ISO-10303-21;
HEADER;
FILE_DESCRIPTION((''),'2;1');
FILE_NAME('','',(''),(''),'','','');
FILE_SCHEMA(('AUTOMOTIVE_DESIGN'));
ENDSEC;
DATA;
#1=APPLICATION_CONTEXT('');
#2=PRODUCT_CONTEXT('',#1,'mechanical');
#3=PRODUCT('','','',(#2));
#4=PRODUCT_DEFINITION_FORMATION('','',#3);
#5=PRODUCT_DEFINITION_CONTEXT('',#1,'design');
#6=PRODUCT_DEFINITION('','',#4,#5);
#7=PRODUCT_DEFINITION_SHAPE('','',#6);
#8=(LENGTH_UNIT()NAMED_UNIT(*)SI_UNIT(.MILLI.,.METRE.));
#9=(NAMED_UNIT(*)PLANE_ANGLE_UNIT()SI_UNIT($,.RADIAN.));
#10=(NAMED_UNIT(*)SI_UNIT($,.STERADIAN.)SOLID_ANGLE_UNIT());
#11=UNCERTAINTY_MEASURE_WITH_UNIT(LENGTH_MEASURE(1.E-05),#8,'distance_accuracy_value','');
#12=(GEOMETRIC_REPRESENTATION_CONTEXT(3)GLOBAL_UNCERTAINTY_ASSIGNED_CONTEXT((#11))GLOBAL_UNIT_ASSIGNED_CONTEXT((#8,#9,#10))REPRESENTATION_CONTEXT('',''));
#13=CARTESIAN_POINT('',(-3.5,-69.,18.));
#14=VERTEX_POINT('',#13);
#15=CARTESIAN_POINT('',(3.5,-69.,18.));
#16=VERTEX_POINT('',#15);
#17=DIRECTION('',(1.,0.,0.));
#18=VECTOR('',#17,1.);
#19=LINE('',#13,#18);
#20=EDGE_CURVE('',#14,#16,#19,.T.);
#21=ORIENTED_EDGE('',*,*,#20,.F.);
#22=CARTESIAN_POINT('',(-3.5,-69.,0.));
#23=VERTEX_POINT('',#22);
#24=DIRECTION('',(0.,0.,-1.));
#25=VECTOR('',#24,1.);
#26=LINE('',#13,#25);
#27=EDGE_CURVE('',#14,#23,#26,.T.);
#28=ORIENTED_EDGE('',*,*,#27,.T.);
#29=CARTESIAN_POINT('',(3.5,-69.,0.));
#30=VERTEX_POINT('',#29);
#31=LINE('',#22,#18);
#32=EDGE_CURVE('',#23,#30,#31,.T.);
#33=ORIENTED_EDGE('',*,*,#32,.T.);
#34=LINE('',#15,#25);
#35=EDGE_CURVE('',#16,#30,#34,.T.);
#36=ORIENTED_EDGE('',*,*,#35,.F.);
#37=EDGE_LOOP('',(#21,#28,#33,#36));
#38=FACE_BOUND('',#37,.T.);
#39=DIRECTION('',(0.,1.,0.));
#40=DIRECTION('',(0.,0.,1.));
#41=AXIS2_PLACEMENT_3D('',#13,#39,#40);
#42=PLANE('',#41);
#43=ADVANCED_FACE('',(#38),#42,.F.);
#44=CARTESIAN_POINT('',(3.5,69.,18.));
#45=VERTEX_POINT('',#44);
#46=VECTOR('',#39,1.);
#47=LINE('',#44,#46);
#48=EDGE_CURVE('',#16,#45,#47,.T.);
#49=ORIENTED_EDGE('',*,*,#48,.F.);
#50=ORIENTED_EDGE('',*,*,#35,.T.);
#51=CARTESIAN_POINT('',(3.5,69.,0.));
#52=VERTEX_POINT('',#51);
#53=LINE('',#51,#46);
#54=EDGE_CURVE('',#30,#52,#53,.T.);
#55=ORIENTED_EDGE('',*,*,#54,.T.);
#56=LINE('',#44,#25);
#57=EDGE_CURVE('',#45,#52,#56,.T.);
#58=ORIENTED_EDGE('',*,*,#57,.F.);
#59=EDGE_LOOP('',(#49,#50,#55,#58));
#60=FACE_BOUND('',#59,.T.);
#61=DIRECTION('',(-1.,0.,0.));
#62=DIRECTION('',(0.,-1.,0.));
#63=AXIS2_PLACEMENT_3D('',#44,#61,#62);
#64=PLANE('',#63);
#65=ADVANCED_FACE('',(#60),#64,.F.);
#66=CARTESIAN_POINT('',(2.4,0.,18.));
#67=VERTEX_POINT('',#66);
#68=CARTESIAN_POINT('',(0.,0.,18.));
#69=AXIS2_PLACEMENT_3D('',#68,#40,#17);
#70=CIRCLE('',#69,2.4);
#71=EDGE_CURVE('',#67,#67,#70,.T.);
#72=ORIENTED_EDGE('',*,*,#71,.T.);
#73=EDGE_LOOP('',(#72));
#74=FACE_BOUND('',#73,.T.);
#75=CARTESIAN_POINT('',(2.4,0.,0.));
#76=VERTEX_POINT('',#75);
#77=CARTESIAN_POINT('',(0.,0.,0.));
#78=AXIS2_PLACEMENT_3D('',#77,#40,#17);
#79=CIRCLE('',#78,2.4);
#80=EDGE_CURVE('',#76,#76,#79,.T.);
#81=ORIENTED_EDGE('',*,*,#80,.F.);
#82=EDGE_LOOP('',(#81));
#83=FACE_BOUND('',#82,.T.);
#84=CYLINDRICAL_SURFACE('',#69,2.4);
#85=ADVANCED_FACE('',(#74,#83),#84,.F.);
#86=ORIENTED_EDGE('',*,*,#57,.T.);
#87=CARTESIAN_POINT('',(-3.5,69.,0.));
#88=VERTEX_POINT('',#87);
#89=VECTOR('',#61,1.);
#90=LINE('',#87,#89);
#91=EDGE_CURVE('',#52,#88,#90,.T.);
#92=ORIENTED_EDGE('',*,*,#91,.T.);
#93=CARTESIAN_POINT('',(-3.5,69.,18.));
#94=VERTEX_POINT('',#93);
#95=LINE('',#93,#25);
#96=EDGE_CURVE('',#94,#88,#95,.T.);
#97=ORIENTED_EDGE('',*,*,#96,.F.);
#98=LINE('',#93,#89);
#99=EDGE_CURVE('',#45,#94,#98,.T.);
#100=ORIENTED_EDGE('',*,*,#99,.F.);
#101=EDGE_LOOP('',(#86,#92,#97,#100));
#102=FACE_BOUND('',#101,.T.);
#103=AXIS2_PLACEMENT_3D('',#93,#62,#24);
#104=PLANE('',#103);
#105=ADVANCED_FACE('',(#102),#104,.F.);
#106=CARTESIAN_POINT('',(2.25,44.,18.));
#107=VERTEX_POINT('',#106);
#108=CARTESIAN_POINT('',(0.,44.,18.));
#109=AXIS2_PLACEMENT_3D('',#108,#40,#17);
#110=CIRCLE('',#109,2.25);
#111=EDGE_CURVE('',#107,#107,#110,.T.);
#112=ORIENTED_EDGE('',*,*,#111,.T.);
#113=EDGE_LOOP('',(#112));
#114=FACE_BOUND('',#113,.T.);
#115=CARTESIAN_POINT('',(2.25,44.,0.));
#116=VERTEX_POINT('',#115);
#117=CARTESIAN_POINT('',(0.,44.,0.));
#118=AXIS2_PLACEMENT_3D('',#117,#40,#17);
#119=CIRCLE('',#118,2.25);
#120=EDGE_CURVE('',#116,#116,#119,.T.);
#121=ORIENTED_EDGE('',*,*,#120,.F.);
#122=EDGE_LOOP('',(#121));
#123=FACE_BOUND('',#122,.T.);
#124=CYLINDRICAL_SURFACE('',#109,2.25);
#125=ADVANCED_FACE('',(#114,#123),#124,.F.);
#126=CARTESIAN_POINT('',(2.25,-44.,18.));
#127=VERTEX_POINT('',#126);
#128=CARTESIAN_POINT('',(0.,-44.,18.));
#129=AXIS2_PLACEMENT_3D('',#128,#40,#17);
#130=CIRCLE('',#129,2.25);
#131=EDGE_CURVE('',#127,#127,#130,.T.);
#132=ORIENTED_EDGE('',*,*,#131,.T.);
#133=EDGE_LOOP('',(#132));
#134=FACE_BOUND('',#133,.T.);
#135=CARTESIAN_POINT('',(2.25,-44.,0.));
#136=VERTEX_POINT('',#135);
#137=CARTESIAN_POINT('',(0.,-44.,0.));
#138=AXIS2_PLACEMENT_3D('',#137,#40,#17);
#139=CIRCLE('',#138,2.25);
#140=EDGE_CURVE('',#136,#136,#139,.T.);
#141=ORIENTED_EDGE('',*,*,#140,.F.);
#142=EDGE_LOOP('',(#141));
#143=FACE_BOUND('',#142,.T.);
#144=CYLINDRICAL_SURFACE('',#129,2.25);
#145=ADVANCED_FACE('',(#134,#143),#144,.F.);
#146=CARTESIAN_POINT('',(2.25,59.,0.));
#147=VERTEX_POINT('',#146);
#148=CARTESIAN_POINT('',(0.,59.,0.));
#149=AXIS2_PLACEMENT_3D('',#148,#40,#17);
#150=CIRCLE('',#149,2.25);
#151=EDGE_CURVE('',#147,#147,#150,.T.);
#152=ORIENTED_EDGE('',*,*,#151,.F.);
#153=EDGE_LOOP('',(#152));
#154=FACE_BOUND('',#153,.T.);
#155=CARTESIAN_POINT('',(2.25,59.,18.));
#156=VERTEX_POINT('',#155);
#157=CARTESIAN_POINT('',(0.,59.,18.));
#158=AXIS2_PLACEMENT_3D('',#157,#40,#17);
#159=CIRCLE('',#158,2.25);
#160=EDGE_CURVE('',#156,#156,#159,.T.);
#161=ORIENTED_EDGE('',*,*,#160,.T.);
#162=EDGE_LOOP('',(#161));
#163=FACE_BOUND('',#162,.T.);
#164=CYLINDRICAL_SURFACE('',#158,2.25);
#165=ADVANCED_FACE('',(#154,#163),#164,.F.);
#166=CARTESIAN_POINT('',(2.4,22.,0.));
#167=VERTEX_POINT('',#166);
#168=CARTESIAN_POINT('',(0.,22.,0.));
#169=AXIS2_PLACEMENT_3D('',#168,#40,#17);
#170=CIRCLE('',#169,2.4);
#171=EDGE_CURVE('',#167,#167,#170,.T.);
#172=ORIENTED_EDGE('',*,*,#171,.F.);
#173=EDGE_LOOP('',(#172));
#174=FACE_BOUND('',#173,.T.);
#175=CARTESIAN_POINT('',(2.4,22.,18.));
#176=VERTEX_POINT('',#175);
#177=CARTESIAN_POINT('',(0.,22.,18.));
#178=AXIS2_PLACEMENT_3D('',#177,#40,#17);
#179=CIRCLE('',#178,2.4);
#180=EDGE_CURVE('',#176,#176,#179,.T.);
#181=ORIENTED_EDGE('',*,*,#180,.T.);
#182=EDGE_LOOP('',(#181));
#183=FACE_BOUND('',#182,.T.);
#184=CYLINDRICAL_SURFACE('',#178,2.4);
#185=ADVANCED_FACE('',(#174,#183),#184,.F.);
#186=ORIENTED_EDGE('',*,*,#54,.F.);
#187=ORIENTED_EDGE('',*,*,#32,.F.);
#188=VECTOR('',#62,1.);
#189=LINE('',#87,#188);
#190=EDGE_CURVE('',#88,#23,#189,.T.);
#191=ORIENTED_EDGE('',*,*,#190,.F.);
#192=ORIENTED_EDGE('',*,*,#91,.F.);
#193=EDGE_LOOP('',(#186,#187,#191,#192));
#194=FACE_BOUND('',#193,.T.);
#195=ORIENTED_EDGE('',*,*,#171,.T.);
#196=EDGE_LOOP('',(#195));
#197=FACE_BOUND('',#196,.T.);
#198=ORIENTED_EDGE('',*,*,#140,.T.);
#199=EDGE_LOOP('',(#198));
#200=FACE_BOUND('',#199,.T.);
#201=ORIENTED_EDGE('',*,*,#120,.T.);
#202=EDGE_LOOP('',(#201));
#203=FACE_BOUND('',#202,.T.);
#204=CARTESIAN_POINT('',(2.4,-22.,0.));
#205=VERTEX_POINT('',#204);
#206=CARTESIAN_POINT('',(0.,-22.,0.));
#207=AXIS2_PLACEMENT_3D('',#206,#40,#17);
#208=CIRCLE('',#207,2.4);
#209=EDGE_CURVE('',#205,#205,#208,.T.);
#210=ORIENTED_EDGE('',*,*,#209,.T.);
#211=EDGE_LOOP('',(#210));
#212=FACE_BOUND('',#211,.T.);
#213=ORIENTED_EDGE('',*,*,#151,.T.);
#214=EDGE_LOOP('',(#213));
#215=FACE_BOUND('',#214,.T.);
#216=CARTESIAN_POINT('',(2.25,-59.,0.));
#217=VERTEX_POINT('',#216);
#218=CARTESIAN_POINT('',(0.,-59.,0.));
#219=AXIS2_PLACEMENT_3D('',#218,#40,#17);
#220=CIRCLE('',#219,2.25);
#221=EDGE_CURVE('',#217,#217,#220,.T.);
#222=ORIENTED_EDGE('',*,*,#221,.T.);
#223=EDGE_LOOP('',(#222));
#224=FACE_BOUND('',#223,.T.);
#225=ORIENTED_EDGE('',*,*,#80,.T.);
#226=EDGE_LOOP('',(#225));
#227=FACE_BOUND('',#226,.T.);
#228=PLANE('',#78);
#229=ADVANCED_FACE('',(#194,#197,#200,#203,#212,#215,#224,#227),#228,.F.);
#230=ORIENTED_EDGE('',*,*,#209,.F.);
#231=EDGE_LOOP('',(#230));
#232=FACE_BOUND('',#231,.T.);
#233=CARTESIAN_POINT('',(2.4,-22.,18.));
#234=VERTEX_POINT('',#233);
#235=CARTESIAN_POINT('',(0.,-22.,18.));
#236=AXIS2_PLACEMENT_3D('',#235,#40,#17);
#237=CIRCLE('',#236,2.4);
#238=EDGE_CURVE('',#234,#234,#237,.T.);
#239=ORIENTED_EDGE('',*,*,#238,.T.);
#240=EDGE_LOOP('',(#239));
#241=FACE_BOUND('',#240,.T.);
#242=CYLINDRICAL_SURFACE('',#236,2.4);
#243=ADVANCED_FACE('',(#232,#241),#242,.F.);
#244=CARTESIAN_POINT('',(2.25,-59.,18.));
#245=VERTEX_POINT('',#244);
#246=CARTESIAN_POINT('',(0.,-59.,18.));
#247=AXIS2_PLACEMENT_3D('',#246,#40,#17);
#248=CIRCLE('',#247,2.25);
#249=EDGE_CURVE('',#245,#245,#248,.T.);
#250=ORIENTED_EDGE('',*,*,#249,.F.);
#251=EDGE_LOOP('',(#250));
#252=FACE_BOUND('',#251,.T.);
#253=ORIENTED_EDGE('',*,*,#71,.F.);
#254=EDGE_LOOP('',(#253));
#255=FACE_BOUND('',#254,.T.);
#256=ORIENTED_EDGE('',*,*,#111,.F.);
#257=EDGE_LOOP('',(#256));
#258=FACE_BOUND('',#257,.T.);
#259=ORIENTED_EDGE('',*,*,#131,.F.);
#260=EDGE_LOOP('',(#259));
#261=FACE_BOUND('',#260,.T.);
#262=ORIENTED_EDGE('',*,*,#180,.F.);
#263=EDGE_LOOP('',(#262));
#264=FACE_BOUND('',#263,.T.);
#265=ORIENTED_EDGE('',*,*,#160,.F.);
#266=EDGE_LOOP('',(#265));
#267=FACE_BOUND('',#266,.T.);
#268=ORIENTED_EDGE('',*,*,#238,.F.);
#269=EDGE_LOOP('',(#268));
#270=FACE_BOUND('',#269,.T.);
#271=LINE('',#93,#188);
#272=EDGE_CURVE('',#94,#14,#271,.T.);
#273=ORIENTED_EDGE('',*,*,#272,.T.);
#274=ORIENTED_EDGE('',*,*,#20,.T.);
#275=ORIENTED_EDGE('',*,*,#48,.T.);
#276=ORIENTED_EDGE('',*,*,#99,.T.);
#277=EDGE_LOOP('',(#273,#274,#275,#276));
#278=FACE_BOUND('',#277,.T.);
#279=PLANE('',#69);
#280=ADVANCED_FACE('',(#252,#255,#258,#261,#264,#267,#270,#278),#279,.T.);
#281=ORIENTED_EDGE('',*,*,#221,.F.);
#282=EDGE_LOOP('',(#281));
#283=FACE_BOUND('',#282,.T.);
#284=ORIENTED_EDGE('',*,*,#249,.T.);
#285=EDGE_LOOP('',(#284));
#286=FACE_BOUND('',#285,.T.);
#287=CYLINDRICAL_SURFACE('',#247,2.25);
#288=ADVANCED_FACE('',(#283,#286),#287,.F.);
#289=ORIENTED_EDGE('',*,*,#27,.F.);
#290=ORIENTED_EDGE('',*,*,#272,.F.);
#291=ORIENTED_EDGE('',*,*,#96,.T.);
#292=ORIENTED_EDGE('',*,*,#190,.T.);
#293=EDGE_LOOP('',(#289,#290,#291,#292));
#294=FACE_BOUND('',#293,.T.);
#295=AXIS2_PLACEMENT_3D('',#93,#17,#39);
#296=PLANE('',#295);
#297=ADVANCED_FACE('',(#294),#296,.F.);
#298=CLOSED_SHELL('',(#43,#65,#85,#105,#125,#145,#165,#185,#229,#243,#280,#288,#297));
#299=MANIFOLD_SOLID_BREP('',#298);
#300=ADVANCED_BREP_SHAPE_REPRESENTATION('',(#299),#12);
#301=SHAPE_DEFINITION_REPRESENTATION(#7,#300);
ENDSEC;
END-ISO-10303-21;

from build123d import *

# Parameters (mm, degrees)
SKETCH_1_W         = 7
SKETCH_1_H         = 138
EXTRUDE_1_DEPTH    = 18
HOLE_WIZARD_M4_1_D = 4.8
HOLE_WIZARD_M4_2_D = 4.5


with BuildPart() as part:
    # ｽｹｯﾁ1 → ﾎﾞｽ - 押し出し1 (new body)
    with BuildSketch(Plane.XY):
        Rectangle(SKETCH_1_W, SKETCH_1_H)
    extrude(amount=EXTRUDE_1_DEPTH)

    # M4 すきま穴1 (through all)
    with Locations(Plane.XY.offset(18)):
        with Locations((0, 0), (0, 22), (0, -22)):
            Hole(HOLE_WIZARD_M4_1_D / 2)

    # M4 すきま穴2 (through all)
    with Locations(Plane(origin=(0, 44, 18), x_dir=(1, 0, 0), z_dir=(0, 0, 1))):
        with Locations((0, 0), (0, 15)):
            hole_wizard_m4_2 = Hole(HOLE_WIZARD_M4_2_D / 2)

    # ﾐﾗｰ1: M4 すきま穴2 across plane
    add(hole_wizard_m4_2.mirror(Plane.ZX), mode=Mode.SUBTRACT)


solid = part.part
